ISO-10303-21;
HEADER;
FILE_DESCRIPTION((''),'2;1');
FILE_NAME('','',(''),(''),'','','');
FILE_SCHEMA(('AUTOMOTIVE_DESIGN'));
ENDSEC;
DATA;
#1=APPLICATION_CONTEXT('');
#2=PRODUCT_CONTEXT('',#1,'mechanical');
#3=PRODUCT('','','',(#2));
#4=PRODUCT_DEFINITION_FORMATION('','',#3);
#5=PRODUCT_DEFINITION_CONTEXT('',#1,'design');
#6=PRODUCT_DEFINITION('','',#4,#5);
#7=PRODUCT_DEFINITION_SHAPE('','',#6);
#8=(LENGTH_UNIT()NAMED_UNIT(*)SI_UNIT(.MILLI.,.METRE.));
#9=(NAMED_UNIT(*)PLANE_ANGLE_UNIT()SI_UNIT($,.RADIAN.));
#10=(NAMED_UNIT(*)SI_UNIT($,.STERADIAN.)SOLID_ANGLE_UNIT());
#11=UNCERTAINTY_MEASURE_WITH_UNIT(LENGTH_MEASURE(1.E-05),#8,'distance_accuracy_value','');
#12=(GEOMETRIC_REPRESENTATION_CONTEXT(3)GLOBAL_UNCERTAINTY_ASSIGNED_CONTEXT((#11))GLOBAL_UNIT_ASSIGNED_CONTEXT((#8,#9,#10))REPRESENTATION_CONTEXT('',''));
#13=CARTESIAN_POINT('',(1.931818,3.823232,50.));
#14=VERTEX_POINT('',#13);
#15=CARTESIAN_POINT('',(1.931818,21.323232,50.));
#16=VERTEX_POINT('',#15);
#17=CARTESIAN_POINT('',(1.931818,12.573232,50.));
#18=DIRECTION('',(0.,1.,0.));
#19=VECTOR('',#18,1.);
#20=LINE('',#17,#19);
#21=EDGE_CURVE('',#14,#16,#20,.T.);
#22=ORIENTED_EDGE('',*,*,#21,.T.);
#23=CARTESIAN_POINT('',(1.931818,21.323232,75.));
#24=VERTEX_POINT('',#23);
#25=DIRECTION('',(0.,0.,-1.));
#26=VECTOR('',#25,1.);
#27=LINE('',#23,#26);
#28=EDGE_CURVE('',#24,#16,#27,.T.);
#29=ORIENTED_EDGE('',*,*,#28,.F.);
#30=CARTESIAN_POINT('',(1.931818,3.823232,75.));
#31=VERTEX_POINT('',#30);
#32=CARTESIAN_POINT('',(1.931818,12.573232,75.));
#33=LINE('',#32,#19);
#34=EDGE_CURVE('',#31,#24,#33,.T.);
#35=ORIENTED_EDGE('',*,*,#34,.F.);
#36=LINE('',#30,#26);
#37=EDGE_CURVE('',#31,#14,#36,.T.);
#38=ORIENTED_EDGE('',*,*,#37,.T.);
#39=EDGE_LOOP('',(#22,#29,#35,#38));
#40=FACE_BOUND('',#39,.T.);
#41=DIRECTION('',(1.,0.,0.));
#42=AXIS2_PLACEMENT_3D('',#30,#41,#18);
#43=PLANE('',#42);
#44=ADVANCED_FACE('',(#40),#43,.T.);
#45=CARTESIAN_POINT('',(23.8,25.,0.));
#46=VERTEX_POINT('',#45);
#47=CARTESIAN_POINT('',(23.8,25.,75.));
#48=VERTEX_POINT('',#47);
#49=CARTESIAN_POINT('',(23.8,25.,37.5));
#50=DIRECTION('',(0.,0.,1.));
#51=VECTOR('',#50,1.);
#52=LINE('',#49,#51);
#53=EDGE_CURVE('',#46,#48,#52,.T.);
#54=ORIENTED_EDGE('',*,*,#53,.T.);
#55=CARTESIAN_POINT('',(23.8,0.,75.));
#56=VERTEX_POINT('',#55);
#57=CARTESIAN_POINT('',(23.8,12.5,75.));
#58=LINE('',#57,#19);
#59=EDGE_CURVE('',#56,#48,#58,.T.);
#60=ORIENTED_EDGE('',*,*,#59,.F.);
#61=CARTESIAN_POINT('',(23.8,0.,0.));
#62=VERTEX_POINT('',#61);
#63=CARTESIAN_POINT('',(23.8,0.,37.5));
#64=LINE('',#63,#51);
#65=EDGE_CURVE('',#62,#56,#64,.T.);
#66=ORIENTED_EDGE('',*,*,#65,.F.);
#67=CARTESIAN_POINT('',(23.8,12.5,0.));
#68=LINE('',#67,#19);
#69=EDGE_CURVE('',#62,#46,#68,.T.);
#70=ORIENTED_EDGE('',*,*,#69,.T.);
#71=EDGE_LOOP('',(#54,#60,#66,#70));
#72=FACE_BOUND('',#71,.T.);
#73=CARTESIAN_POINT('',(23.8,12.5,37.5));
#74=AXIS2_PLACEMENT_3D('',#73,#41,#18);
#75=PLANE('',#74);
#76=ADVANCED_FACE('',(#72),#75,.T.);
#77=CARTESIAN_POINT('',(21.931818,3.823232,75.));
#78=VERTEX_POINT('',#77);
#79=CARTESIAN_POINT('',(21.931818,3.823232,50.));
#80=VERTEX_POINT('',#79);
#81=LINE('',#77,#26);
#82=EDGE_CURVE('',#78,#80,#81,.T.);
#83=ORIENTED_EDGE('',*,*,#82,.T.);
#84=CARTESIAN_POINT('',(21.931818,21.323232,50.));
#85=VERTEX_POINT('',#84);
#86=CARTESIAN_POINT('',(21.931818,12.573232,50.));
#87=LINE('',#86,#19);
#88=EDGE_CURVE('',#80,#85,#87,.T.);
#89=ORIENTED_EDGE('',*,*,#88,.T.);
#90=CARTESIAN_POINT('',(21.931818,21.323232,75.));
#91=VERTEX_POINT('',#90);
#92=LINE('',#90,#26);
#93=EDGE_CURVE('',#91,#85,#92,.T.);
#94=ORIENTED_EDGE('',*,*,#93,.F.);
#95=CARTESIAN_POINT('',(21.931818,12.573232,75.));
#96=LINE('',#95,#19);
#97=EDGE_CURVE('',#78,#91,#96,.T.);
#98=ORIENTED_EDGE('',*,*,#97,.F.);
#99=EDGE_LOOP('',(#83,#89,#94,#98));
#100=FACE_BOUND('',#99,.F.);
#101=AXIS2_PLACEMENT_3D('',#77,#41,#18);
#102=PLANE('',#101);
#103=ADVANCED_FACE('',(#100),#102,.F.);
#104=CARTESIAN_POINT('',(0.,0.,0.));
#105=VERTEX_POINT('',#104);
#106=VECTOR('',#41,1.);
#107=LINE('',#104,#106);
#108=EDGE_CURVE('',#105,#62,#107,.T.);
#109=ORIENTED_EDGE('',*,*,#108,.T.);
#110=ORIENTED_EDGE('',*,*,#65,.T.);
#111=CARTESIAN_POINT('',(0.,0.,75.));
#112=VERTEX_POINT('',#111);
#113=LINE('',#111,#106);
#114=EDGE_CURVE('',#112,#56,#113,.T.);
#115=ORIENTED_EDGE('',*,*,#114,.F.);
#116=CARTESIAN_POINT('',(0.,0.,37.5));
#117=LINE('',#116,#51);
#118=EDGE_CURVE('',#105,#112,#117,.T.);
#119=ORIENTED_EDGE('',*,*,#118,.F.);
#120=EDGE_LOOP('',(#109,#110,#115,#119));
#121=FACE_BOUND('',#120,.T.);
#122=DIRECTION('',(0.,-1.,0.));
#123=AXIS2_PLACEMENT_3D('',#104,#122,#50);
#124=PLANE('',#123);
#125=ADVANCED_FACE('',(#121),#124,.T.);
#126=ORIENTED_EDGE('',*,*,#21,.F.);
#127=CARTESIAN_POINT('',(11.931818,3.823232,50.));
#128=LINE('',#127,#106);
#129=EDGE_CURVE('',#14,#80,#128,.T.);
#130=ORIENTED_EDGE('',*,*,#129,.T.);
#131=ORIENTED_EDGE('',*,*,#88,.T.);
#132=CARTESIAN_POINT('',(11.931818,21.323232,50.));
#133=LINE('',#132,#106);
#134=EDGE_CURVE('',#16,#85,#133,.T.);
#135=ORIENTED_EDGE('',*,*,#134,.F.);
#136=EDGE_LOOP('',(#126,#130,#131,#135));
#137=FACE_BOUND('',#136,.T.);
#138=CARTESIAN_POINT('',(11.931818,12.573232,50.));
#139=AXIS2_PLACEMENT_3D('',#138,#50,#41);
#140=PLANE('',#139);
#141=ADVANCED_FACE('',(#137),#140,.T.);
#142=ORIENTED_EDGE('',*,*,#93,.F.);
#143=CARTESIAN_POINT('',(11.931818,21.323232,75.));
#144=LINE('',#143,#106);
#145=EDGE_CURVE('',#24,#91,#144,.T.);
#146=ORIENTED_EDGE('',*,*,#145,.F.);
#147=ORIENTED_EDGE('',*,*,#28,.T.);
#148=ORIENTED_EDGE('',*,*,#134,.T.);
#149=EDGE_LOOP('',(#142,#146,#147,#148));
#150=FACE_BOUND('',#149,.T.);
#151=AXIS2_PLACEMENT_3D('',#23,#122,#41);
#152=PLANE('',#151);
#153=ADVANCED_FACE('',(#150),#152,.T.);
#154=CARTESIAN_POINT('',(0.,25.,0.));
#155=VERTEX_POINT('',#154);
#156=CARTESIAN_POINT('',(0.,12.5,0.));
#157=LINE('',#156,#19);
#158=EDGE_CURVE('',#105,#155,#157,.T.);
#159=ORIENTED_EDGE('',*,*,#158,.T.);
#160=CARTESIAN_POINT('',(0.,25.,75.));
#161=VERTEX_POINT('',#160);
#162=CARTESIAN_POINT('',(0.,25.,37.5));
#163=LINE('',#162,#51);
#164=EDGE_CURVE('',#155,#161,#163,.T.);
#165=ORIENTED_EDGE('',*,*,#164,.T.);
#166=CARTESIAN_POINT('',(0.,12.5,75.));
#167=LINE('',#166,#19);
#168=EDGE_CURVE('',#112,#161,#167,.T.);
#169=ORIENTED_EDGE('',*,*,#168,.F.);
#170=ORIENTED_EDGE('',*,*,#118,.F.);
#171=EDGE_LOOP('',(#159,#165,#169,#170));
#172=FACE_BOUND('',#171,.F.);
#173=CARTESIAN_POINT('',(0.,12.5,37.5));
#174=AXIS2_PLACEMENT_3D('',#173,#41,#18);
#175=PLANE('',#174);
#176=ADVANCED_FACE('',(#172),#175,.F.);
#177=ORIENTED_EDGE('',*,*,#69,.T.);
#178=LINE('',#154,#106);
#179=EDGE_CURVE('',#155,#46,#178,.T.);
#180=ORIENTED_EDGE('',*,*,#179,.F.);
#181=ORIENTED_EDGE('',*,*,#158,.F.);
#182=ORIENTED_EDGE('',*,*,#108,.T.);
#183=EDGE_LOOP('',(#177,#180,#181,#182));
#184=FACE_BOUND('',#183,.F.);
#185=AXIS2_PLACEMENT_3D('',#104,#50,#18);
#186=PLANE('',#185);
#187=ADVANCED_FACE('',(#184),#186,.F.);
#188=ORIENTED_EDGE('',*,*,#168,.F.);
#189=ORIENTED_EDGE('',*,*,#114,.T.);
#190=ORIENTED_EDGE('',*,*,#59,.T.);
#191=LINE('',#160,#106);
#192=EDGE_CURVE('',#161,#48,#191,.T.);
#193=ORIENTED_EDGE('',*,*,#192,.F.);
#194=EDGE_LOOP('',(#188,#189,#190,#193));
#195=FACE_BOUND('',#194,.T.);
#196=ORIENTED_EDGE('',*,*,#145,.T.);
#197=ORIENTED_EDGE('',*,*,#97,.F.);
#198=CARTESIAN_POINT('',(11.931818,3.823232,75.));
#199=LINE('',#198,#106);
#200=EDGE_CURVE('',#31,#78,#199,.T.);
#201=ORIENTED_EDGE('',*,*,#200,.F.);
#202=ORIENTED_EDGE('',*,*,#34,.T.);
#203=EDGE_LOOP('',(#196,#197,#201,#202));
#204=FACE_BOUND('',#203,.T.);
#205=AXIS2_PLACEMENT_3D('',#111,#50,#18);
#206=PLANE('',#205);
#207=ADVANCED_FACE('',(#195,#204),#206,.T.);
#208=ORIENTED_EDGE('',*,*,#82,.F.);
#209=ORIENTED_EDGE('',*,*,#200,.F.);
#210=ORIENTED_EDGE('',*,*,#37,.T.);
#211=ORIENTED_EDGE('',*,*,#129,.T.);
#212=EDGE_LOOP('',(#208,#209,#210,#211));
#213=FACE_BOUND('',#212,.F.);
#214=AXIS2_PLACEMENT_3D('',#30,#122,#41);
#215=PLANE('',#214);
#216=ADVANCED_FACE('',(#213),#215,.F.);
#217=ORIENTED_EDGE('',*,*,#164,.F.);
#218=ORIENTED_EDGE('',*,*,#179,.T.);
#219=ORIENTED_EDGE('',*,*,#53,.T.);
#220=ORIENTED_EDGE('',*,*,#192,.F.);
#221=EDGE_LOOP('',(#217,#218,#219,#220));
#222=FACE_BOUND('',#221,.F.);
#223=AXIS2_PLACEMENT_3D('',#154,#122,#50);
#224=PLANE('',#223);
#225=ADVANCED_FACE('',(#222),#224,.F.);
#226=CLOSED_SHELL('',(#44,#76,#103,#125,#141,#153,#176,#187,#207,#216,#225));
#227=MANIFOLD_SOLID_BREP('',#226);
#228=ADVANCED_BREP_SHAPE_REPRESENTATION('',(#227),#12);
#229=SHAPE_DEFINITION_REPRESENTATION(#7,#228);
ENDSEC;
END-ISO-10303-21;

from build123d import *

# Parameters (mm, degrees)
F0_W     = 25
F0_H     = 75
F1_DEPTH = 23.8
F2_W     = 20
F2_H     = 17.5
F3_DEPTH = 25


with BuildPart() as f1:
    # F0 (on Right) → F1 (new body)
    with BuildSketch(Plane.YZ):
        with Locations((12.5, 37.5)):
            Rectangle(F0_W, F0_H)
    extrude(amount=F1_DEPTH)

    # F2 (on face) → F3 (cut)
    with BuildSketch(Plane.XY.offset(75)):
        with Locations((11.931818, 12.573232)):
            Rectangle(F2_W, F2_H)
    extrude(amount=-F3_DEPTH, mode=Mode.SUBTRACT)


solid = f1.part
